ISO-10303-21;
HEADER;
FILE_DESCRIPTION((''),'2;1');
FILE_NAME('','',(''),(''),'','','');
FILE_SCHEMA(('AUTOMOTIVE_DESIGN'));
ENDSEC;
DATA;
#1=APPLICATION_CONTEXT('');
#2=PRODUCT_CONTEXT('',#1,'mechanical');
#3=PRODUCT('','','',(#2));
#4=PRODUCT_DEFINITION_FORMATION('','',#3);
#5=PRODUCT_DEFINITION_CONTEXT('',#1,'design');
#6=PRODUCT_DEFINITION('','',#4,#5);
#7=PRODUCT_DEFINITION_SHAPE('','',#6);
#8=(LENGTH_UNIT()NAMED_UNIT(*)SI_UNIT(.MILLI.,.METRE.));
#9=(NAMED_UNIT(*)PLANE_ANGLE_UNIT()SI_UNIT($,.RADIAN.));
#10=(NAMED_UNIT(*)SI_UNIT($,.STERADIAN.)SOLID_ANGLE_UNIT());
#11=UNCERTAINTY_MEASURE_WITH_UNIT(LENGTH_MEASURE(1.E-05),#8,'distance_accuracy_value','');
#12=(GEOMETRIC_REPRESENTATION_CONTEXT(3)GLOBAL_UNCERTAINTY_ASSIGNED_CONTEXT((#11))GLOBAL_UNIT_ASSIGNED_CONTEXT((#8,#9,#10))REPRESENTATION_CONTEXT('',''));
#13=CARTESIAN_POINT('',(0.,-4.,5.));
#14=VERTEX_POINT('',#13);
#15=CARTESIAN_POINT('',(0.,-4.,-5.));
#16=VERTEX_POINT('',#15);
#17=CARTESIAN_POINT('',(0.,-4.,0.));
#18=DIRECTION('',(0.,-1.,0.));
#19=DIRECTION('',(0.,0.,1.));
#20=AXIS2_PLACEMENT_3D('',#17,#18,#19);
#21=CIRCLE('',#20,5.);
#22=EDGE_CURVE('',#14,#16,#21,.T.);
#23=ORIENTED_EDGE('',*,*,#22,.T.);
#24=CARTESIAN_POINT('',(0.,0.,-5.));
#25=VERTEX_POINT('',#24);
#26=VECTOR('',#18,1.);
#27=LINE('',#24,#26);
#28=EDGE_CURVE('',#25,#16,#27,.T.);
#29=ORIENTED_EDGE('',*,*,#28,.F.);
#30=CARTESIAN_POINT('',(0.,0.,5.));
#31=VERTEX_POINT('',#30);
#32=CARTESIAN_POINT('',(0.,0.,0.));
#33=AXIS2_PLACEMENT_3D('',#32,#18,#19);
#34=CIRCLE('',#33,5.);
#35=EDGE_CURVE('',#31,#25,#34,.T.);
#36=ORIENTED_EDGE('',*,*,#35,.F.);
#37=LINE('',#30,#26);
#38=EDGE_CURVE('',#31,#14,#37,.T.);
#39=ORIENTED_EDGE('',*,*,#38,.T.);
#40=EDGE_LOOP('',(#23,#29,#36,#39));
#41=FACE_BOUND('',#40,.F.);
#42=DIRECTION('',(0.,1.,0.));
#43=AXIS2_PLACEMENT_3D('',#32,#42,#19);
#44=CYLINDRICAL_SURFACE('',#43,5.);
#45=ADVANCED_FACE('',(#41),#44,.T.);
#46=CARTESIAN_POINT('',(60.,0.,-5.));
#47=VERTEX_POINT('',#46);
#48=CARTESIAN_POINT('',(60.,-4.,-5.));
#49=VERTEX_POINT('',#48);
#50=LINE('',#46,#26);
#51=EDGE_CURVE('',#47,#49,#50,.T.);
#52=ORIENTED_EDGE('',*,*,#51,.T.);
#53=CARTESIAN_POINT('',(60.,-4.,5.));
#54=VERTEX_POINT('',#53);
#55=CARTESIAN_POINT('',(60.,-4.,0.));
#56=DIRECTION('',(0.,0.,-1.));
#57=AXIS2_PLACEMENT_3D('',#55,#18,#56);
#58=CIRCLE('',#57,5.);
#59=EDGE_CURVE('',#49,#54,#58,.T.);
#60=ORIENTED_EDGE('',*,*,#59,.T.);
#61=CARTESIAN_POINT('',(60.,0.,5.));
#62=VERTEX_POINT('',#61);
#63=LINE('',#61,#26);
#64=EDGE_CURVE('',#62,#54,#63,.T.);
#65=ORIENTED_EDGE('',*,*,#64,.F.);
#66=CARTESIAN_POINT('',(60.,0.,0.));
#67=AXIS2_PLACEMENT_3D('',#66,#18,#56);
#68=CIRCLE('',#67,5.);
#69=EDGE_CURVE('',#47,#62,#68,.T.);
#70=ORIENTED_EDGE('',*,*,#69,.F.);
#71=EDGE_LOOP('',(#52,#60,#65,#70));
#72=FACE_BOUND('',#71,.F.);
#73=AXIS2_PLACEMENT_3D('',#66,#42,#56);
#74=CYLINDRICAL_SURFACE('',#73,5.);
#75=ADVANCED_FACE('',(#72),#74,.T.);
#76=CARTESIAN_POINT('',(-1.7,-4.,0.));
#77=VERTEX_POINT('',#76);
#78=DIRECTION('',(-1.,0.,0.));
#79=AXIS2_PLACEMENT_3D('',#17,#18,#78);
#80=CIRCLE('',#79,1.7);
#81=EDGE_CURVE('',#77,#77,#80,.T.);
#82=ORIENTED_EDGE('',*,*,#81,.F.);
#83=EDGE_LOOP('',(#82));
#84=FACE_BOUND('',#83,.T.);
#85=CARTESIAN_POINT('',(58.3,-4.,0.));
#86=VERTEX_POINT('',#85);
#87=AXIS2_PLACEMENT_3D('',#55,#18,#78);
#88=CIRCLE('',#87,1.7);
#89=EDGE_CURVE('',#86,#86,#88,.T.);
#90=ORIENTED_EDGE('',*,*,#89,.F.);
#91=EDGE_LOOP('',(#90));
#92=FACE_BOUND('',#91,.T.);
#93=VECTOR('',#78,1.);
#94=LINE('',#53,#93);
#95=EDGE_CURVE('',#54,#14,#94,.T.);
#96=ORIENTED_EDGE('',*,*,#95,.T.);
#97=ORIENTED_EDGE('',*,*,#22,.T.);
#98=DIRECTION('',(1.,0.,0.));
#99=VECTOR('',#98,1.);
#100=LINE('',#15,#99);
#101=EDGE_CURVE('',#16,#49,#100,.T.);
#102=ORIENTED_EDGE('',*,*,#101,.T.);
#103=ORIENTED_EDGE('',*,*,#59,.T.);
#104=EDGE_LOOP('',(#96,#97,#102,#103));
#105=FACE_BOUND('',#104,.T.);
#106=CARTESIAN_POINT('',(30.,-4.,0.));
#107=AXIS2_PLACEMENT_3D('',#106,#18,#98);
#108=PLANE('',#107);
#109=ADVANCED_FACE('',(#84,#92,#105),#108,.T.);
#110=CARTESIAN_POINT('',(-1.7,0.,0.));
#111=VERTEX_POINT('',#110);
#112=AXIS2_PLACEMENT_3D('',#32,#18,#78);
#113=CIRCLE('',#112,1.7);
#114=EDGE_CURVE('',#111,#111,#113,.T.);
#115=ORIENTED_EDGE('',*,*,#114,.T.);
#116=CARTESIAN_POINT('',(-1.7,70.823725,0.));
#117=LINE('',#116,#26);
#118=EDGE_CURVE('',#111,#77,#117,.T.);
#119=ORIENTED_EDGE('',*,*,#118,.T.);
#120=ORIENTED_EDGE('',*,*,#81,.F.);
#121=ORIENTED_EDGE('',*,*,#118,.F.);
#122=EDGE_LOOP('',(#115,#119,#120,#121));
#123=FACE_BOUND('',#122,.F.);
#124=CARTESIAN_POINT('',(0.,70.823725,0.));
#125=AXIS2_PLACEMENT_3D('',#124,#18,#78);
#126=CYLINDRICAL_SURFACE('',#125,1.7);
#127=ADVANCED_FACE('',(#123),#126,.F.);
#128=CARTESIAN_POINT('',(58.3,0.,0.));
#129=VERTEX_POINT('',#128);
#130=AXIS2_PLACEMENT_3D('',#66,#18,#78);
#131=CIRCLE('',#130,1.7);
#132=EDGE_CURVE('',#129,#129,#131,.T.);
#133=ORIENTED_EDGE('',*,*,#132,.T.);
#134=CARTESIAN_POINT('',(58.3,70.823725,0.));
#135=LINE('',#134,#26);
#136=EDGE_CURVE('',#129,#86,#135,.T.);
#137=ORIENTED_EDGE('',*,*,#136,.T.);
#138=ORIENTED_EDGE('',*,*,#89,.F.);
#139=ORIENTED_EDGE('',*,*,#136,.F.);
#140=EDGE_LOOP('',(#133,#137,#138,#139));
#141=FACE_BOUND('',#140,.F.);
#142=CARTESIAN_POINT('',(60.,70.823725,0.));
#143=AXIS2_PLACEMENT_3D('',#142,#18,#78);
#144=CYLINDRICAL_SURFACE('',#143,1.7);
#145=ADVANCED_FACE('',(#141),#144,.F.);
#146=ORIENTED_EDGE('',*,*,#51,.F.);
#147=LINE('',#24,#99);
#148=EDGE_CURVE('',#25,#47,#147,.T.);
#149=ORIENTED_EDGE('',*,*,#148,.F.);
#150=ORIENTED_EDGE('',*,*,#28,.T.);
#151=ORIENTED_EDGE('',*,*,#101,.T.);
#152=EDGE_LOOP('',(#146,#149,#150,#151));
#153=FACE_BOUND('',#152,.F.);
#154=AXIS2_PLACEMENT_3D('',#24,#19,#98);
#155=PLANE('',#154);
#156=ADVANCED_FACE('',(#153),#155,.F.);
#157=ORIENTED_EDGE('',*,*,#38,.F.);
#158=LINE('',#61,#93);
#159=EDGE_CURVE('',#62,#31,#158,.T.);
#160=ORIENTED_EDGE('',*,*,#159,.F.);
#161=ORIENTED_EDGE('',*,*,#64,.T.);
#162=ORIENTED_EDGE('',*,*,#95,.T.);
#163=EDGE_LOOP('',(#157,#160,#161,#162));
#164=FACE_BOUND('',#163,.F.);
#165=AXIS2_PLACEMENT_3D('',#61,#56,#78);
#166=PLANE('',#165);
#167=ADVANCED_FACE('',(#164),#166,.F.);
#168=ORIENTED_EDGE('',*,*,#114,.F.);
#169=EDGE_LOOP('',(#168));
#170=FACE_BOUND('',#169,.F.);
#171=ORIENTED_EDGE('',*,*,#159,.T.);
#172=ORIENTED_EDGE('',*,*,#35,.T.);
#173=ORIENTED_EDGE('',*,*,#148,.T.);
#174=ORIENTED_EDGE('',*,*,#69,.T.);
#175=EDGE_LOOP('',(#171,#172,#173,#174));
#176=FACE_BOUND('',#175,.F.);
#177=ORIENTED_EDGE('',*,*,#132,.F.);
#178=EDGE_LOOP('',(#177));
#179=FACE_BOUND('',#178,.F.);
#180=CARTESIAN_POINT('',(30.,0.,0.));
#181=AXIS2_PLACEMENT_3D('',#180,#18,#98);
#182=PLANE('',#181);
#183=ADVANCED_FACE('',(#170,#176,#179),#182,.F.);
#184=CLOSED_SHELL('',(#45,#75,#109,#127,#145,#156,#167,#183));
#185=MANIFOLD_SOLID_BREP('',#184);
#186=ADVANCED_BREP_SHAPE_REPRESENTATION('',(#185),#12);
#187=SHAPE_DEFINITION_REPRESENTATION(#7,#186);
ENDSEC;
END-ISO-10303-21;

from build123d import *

# Parameters (mm, degrees)
F1_DEPTH = 4
F2_D     = 3.4


with BuildPart() as f1:
    # F0 (on Front) → F1 (new body)
    with BuildSketch(Plane.XZ):
        with BuildLine():
            Line((60, 5), (0, 5))
            ThreePointArc((0, 5), (-5, 0), (0, -5))
            Line((0, -5), (60, -5))
            ThreePointArc((60, -5), (65, 0), (60, 5))
        make_face()
    extrude(amount=F1_DEPTH)

    # F2 (through all)
    with Locations(Plane(origin=(0, 0, 0), x_dir=(1, 0, 0), z_dir=(0, 1, 0))):
        with Locations((0, 0), (60, 0)):
            Hole(F2_D / 2)


solid = f1.part
